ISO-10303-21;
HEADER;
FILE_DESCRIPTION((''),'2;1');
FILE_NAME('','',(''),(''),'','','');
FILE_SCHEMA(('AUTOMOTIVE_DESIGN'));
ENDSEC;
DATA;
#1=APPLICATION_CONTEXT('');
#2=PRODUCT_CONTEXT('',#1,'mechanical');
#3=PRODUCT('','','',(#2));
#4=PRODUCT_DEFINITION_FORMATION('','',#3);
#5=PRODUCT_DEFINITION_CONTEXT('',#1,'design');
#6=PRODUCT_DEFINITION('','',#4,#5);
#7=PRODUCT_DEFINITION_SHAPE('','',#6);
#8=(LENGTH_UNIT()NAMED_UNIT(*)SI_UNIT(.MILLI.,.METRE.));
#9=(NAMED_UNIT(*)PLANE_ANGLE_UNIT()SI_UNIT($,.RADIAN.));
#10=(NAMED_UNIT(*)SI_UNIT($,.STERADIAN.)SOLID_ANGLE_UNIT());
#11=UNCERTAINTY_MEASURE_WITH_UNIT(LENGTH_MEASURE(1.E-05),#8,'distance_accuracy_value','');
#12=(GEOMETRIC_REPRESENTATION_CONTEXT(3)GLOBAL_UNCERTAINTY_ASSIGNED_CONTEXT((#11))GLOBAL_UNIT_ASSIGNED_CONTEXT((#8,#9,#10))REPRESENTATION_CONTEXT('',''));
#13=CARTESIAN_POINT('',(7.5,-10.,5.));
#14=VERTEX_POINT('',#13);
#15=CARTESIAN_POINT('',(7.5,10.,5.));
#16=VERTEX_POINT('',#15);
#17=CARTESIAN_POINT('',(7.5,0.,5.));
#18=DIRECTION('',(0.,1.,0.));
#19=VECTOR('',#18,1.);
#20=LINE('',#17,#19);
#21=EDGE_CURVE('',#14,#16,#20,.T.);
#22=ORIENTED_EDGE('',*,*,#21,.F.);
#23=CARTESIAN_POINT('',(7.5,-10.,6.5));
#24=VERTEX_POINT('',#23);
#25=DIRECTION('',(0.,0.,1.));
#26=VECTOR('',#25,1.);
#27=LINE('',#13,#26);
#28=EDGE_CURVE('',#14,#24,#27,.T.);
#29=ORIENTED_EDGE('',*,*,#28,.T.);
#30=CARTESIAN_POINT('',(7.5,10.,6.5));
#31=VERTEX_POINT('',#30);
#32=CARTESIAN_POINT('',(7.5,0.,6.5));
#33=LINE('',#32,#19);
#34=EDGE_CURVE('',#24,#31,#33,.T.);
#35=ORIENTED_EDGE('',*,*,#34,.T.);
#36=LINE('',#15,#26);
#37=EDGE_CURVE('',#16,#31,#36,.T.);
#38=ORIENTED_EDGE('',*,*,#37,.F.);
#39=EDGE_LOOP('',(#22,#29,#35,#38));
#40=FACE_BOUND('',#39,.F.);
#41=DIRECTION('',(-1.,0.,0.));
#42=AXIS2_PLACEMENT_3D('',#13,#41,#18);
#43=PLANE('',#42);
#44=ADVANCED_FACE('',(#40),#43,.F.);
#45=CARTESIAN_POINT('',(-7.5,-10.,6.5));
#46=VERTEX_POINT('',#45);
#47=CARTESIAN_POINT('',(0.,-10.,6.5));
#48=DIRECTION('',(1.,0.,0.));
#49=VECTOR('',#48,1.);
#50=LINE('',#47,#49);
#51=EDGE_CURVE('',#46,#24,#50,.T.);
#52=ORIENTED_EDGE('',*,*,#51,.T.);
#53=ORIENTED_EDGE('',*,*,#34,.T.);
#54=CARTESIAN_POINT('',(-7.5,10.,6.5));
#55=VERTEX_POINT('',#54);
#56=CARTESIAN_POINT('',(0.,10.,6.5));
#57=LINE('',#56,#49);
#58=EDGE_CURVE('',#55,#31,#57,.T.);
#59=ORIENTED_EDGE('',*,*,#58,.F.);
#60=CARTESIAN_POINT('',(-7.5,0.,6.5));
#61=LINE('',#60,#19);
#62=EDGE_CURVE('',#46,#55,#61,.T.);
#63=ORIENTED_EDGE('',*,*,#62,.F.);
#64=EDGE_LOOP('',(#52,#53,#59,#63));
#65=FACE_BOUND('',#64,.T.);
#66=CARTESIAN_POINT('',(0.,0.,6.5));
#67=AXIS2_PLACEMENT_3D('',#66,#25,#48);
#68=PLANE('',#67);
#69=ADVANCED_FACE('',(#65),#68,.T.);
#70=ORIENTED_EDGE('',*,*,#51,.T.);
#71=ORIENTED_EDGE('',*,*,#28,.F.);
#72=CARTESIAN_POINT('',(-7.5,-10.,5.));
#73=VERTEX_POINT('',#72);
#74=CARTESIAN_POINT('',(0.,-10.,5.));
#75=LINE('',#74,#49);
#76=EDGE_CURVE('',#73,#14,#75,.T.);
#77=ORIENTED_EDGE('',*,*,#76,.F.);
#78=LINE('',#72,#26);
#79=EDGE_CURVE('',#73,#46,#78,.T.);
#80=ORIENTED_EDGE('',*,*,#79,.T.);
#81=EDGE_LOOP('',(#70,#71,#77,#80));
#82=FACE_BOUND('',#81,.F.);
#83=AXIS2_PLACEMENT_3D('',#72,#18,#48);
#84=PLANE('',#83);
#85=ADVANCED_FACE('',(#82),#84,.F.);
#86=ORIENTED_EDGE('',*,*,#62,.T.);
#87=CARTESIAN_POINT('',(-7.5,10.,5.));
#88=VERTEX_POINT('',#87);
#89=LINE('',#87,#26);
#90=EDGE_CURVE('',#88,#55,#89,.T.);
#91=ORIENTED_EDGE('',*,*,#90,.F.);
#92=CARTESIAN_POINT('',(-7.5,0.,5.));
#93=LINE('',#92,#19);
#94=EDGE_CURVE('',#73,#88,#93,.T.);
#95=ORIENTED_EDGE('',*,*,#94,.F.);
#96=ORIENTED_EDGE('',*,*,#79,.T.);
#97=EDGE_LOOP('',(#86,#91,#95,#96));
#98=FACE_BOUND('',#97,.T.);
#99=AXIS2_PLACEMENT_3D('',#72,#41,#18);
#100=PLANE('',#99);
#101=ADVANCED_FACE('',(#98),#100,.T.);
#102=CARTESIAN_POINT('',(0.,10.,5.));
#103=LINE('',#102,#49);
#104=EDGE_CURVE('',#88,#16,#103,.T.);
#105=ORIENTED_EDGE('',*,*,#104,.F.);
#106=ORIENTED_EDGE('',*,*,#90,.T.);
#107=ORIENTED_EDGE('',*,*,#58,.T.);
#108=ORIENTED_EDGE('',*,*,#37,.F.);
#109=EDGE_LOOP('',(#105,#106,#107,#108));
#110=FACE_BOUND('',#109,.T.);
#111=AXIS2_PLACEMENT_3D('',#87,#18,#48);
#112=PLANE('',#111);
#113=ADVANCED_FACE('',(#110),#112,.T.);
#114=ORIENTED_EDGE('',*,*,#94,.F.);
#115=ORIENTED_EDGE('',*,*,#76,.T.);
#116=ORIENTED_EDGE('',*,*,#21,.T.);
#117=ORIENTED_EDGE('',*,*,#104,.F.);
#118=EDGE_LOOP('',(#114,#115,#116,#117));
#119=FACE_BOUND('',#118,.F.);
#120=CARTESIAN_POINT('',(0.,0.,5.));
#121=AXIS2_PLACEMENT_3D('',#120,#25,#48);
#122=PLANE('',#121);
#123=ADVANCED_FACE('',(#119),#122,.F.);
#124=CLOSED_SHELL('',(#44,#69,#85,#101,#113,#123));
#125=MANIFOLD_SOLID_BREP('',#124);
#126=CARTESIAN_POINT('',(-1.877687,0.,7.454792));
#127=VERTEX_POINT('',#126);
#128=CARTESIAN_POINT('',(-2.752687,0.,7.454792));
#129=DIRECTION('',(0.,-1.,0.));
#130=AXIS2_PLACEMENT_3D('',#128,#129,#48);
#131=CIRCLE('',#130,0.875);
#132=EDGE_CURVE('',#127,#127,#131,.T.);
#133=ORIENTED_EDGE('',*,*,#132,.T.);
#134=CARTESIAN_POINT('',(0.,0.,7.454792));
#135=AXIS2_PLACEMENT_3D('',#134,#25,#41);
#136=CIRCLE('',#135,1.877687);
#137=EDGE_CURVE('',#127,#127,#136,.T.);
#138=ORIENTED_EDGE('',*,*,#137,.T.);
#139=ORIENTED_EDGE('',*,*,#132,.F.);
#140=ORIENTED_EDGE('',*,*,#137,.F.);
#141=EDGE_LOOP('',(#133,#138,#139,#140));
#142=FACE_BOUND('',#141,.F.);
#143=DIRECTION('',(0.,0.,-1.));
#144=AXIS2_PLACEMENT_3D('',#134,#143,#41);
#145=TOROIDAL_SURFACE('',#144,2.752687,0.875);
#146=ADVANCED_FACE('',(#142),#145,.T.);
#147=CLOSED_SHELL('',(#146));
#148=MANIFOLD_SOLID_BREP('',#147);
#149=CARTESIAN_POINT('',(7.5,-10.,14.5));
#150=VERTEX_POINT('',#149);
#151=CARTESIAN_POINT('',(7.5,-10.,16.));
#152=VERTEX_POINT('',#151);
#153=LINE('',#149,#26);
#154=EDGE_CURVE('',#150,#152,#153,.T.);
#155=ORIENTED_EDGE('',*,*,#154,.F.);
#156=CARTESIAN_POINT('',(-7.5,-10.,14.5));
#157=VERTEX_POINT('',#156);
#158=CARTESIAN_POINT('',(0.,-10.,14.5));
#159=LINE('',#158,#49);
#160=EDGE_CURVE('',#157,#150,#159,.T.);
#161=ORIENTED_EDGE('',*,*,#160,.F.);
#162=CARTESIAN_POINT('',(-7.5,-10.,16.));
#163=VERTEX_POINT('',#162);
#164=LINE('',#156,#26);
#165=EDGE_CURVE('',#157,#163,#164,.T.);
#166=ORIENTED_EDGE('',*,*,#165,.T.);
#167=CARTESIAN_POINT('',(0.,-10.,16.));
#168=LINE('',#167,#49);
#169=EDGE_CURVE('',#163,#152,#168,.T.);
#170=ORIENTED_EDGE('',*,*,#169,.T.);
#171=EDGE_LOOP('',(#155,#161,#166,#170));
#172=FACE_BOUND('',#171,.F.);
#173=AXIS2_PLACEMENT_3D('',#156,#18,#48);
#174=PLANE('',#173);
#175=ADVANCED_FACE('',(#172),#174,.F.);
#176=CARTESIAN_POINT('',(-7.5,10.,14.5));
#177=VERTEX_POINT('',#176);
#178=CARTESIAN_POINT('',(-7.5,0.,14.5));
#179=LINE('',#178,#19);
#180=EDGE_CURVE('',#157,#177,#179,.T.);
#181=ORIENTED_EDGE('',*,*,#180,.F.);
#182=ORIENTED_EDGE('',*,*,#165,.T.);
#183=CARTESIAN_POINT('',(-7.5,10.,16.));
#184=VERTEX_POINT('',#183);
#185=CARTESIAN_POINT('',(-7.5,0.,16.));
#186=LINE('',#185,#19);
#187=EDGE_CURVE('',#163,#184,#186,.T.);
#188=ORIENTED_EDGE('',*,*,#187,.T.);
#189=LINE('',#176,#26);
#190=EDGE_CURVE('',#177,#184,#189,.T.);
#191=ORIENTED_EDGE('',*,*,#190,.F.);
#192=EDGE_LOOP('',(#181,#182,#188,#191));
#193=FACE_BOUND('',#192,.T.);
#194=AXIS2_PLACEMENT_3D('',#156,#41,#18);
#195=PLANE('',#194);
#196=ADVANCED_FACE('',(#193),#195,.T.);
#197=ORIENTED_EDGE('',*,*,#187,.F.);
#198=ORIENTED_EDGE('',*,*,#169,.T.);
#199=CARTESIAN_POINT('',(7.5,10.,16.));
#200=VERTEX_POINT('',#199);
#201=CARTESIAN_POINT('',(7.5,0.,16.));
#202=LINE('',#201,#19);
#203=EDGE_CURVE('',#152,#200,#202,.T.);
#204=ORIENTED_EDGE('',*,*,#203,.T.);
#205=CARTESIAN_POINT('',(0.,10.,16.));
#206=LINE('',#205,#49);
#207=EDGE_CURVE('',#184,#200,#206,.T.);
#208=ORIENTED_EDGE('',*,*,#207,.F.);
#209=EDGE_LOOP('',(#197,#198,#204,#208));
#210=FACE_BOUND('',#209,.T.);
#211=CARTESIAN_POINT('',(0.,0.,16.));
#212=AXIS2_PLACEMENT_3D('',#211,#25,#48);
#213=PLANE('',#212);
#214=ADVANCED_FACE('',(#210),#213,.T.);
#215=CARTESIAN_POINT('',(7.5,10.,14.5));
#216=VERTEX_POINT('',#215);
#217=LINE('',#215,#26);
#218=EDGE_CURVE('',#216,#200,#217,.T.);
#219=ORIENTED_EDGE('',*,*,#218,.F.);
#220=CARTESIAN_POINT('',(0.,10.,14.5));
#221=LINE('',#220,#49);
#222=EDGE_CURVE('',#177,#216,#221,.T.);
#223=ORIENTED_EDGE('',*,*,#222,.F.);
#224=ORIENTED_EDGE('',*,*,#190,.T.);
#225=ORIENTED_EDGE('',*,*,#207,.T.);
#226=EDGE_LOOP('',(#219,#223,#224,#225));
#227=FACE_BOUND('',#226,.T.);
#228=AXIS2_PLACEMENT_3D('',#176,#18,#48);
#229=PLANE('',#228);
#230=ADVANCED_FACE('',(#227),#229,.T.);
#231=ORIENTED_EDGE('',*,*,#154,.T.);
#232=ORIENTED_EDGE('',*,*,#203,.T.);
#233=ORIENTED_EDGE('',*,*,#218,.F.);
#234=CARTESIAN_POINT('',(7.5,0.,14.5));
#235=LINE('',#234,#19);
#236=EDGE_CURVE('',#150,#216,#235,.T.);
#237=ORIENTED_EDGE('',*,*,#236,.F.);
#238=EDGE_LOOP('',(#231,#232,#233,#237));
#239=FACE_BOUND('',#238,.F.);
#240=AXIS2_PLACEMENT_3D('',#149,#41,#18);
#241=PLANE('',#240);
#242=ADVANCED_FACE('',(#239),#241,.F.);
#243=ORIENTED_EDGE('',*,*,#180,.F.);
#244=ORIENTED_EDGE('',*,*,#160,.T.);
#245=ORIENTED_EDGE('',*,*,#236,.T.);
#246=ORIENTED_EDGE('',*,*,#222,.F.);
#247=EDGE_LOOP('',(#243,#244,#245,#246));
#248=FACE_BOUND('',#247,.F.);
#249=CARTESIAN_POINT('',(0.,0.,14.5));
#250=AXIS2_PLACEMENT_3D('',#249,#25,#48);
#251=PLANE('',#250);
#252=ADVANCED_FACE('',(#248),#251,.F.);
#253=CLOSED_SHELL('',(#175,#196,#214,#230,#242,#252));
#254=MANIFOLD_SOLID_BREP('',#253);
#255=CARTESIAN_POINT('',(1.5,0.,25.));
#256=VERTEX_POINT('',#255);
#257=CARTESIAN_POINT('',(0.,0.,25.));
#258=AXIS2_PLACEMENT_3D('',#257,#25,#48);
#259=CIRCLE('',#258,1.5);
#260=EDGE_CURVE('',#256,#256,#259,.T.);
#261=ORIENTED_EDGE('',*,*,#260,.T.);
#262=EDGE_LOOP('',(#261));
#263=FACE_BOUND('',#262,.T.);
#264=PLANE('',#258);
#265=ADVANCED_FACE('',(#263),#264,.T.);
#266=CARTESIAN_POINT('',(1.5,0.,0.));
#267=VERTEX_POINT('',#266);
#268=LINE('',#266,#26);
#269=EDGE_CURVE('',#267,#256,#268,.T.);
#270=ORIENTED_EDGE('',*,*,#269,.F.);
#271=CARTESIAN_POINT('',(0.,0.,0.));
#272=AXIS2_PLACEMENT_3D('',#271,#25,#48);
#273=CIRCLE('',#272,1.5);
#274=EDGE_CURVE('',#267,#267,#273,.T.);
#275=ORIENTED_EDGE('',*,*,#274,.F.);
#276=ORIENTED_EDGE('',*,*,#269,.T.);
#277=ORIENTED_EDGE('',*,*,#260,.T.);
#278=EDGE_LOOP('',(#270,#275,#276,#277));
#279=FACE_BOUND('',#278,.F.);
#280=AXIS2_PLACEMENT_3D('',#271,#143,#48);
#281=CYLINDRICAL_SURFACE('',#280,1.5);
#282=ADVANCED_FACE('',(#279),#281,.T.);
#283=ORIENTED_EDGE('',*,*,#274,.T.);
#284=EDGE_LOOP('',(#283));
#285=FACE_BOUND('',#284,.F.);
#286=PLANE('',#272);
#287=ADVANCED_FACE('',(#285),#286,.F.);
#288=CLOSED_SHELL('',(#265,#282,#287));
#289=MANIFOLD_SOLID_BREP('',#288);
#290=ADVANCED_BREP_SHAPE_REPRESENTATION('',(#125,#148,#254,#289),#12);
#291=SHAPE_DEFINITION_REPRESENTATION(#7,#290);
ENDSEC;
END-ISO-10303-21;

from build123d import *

# Parameters (mm, degrees)
F0_R     = 1.5
F1_DEPTH = 25
F3_W     = 15
F3_H     = 20
F4_DEPTH = 1.5
F6_W     = 15
F6_H     = 20
F7_DEPTH = 1.5
F8_R     = 0.875


with BuildPart() as f1:
    # F0 (on Top) → F1 (new body)
    with BuildSketch(Plane.XY):
        Circle(F0_R)
    extrude(amount=F1_DEPTH)


with BuildPart() as f4:
    # F3 (on offset) → F4 (new body)
    with BuildSketch(Plane.XY.offset(5)):
        Rectangle(F3_W, F3_H)
    extrude(amount=F4_DEPTH)


with BuildPart() as f7:
    # F6 (on offset) → F7 (new body)
    with BuildSketch(Plane.XY.offset(14.5)):
        Rectangle(F6_W, F6_H)
    extrude(amount=F7_DEPTH)


with BuildPart() as f9:
    # F8 (on Front) → F9 (revolve)
    with BuildSketch(Plane.XZ):
        with Locations((-2.752687, 7.454792)):
            Circle(F8_R)
    revolve(axis=Axis((0, 0, 11.805554), (0, 0, 1)))


solid = Compound([f1.part, f4.part, f7.part, f9.part])
